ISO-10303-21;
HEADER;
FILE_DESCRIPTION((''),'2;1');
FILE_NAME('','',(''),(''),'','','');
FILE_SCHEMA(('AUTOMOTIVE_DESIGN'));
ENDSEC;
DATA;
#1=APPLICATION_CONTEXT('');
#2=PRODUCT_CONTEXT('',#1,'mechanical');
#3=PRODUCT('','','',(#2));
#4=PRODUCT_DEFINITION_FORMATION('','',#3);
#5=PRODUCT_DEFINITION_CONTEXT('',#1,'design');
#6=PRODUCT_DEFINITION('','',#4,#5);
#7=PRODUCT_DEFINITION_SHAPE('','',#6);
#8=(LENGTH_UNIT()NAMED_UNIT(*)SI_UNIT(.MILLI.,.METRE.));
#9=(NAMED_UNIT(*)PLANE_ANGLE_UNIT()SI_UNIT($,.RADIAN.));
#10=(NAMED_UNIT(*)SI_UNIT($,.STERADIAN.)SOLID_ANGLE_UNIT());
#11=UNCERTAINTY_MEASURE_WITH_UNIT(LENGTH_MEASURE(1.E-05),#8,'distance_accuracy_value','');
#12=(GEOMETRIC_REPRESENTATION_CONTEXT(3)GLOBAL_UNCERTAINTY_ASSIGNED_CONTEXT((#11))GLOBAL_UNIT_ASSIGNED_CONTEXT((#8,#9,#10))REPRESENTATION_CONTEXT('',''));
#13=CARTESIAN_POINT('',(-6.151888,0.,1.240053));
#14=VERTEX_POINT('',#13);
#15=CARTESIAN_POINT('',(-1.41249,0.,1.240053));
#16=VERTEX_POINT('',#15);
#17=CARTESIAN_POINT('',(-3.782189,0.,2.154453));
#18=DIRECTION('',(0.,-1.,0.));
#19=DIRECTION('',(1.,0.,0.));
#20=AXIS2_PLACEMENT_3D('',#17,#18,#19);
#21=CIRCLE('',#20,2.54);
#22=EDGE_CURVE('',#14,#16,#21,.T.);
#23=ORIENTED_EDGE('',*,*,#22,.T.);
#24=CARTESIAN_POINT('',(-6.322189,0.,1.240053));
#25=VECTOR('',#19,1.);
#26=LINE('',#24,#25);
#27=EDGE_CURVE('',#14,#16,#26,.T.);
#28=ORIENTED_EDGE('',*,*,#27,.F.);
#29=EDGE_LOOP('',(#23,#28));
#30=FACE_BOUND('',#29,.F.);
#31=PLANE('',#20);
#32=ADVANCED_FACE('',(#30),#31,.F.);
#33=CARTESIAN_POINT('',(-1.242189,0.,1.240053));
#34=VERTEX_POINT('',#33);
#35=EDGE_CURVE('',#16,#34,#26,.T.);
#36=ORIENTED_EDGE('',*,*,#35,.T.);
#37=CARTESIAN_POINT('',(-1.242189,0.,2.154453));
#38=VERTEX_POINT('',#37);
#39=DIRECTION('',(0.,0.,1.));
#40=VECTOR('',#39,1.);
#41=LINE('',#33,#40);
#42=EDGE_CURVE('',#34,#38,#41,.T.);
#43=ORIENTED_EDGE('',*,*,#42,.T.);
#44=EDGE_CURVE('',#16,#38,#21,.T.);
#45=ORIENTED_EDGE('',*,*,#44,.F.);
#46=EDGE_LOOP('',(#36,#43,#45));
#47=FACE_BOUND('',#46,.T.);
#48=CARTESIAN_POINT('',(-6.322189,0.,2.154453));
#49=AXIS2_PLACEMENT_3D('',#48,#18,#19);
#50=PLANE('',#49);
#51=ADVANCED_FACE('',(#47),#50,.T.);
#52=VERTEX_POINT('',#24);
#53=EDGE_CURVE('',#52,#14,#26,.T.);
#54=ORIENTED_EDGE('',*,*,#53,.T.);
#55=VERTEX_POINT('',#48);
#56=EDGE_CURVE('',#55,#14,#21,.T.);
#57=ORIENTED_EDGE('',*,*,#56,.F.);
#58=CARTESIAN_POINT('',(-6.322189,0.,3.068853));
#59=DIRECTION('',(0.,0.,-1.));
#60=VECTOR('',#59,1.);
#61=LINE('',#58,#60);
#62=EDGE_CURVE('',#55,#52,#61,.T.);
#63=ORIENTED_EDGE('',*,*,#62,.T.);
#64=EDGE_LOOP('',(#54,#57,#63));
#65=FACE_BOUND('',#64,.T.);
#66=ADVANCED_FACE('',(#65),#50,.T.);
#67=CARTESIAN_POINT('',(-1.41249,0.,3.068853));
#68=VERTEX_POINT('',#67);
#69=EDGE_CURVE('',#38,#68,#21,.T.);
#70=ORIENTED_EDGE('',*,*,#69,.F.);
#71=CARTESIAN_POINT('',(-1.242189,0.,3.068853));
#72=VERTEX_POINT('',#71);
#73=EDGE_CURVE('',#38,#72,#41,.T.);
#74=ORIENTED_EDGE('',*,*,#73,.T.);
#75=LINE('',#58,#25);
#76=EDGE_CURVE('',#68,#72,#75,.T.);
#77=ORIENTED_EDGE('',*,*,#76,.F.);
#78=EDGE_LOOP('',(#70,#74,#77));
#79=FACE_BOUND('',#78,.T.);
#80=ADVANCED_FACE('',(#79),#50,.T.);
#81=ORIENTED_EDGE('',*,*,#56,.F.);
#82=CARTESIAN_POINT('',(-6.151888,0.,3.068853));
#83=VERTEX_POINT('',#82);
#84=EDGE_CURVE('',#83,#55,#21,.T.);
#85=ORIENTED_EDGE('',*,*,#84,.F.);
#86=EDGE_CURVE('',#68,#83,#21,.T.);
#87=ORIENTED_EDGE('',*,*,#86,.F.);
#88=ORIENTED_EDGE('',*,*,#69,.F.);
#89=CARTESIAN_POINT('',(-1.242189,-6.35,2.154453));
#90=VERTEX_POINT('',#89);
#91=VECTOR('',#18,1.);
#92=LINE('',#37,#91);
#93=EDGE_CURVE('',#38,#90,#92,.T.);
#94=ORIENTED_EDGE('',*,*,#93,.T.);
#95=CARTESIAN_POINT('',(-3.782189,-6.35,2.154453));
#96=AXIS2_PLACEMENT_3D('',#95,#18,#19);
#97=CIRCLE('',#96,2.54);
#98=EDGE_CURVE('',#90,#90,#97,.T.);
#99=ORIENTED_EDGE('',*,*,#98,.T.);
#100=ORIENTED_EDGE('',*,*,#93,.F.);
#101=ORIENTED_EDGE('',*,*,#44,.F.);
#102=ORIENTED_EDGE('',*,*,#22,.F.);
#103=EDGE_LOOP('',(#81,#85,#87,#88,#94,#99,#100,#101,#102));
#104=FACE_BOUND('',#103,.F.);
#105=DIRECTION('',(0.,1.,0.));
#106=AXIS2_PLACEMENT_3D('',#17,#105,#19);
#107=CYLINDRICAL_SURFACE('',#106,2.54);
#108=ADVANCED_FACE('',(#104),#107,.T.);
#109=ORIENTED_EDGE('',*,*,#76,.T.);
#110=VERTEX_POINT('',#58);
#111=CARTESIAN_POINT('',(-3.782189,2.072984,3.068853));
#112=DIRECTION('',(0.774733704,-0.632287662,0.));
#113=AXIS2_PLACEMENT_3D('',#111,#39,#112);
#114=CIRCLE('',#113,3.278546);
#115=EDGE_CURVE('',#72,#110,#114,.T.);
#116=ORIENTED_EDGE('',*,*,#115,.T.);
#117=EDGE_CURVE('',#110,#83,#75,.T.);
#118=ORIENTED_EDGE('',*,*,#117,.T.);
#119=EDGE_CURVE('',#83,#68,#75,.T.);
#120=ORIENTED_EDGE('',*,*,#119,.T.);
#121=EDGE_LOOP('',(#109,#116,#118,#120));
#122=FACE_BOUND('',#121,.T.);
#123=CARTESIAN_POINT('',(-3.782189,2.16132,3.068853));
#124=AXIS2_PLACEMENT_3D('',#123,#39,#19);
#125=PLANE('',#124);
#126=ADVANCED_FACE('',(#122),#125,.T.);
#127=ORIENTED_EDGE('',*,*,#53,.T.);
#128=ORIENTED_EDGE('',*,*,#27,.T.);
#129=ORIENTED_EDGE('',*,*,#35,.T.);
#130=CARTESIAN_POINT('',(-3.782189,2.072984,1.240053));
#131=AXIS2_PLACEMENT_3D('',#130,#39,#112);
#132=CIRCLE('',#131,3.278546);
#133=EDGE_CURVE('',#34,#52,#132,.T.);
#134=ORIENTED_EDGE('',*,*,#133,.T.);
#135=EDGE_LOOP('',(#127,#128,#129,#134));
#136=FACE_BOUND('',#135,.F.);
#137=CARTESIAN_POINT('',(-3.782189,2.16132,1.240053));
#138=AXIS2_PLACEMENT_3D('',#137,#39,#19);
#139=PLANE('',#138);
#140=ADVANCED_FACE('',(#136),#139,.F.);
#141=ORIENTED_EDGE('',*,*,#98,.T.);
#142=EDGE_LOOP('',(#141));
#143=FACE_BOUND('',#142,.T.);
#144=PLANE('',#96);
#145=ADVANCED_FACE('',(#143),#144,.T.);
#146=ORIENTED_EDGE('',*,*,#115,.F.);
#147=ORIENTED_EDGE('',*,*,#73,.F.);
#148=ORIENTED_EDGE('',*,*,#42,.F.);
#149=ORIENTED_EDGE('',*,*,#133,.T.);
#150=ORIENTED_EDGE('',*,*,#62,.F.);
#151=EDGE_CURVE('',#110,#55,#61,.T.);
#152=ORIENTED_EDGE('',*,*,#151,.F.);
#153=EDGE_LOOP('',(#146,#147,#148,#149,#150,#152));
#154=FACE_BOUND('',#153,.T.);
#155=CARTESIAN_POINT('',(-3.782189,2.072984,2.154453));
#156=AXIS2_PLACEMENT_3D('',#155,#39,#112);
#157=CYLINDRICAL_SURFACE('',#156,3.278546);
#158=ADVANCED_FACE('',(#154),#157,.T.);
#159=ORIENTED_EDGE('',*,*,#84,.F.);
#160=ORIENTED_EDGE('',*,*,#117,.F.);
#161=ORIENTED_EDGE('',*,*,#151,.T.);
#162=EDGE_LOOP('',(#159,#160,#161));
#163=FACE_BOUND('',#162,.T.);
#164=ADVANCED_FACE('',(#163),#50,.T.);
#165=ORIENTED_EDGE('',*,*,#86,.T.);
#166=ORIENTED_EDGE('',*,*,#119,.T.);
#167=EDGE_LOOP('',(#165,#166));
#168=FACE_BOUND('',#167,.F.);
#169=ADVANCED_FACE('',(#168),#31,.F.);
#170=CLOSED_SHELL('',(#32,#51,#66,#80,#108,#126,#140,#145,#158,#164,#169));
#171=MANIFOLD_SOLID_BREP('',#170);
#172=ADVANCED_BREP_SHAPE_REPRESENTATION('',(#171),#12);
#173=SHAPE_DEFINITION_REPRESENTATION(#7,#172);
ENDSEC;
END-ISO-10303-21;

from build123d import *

# Parameters (mm, degrees)
F0_R     = 2.54
F1_DEPTH = 6.35
F5_DEPTH = 0.9144


with BuildPart() as f1:
    # F0 (on Front) → F1 (new body)
    with BuildSketch(Plane.XZ):
        with Locations((-3.782189, 2.154453)):
            Circle(F0_R)
    extrude(amount=F1_DEPTH)

    # F4 (on face) → F5 (join, symmetric)
    with BuildSketch(Plane.XY.offset(2.154453)):
        with BuildLine():
            Line((-6.322189, 0), (-1.242189, 0))
            ThreePointArc((-1.242189, 0), (-3.782189, 5.35153), (-6.322189, 0))
        make_face()
    extrude(amount=F5_DEPTH, both=True)


solid = f1.part
